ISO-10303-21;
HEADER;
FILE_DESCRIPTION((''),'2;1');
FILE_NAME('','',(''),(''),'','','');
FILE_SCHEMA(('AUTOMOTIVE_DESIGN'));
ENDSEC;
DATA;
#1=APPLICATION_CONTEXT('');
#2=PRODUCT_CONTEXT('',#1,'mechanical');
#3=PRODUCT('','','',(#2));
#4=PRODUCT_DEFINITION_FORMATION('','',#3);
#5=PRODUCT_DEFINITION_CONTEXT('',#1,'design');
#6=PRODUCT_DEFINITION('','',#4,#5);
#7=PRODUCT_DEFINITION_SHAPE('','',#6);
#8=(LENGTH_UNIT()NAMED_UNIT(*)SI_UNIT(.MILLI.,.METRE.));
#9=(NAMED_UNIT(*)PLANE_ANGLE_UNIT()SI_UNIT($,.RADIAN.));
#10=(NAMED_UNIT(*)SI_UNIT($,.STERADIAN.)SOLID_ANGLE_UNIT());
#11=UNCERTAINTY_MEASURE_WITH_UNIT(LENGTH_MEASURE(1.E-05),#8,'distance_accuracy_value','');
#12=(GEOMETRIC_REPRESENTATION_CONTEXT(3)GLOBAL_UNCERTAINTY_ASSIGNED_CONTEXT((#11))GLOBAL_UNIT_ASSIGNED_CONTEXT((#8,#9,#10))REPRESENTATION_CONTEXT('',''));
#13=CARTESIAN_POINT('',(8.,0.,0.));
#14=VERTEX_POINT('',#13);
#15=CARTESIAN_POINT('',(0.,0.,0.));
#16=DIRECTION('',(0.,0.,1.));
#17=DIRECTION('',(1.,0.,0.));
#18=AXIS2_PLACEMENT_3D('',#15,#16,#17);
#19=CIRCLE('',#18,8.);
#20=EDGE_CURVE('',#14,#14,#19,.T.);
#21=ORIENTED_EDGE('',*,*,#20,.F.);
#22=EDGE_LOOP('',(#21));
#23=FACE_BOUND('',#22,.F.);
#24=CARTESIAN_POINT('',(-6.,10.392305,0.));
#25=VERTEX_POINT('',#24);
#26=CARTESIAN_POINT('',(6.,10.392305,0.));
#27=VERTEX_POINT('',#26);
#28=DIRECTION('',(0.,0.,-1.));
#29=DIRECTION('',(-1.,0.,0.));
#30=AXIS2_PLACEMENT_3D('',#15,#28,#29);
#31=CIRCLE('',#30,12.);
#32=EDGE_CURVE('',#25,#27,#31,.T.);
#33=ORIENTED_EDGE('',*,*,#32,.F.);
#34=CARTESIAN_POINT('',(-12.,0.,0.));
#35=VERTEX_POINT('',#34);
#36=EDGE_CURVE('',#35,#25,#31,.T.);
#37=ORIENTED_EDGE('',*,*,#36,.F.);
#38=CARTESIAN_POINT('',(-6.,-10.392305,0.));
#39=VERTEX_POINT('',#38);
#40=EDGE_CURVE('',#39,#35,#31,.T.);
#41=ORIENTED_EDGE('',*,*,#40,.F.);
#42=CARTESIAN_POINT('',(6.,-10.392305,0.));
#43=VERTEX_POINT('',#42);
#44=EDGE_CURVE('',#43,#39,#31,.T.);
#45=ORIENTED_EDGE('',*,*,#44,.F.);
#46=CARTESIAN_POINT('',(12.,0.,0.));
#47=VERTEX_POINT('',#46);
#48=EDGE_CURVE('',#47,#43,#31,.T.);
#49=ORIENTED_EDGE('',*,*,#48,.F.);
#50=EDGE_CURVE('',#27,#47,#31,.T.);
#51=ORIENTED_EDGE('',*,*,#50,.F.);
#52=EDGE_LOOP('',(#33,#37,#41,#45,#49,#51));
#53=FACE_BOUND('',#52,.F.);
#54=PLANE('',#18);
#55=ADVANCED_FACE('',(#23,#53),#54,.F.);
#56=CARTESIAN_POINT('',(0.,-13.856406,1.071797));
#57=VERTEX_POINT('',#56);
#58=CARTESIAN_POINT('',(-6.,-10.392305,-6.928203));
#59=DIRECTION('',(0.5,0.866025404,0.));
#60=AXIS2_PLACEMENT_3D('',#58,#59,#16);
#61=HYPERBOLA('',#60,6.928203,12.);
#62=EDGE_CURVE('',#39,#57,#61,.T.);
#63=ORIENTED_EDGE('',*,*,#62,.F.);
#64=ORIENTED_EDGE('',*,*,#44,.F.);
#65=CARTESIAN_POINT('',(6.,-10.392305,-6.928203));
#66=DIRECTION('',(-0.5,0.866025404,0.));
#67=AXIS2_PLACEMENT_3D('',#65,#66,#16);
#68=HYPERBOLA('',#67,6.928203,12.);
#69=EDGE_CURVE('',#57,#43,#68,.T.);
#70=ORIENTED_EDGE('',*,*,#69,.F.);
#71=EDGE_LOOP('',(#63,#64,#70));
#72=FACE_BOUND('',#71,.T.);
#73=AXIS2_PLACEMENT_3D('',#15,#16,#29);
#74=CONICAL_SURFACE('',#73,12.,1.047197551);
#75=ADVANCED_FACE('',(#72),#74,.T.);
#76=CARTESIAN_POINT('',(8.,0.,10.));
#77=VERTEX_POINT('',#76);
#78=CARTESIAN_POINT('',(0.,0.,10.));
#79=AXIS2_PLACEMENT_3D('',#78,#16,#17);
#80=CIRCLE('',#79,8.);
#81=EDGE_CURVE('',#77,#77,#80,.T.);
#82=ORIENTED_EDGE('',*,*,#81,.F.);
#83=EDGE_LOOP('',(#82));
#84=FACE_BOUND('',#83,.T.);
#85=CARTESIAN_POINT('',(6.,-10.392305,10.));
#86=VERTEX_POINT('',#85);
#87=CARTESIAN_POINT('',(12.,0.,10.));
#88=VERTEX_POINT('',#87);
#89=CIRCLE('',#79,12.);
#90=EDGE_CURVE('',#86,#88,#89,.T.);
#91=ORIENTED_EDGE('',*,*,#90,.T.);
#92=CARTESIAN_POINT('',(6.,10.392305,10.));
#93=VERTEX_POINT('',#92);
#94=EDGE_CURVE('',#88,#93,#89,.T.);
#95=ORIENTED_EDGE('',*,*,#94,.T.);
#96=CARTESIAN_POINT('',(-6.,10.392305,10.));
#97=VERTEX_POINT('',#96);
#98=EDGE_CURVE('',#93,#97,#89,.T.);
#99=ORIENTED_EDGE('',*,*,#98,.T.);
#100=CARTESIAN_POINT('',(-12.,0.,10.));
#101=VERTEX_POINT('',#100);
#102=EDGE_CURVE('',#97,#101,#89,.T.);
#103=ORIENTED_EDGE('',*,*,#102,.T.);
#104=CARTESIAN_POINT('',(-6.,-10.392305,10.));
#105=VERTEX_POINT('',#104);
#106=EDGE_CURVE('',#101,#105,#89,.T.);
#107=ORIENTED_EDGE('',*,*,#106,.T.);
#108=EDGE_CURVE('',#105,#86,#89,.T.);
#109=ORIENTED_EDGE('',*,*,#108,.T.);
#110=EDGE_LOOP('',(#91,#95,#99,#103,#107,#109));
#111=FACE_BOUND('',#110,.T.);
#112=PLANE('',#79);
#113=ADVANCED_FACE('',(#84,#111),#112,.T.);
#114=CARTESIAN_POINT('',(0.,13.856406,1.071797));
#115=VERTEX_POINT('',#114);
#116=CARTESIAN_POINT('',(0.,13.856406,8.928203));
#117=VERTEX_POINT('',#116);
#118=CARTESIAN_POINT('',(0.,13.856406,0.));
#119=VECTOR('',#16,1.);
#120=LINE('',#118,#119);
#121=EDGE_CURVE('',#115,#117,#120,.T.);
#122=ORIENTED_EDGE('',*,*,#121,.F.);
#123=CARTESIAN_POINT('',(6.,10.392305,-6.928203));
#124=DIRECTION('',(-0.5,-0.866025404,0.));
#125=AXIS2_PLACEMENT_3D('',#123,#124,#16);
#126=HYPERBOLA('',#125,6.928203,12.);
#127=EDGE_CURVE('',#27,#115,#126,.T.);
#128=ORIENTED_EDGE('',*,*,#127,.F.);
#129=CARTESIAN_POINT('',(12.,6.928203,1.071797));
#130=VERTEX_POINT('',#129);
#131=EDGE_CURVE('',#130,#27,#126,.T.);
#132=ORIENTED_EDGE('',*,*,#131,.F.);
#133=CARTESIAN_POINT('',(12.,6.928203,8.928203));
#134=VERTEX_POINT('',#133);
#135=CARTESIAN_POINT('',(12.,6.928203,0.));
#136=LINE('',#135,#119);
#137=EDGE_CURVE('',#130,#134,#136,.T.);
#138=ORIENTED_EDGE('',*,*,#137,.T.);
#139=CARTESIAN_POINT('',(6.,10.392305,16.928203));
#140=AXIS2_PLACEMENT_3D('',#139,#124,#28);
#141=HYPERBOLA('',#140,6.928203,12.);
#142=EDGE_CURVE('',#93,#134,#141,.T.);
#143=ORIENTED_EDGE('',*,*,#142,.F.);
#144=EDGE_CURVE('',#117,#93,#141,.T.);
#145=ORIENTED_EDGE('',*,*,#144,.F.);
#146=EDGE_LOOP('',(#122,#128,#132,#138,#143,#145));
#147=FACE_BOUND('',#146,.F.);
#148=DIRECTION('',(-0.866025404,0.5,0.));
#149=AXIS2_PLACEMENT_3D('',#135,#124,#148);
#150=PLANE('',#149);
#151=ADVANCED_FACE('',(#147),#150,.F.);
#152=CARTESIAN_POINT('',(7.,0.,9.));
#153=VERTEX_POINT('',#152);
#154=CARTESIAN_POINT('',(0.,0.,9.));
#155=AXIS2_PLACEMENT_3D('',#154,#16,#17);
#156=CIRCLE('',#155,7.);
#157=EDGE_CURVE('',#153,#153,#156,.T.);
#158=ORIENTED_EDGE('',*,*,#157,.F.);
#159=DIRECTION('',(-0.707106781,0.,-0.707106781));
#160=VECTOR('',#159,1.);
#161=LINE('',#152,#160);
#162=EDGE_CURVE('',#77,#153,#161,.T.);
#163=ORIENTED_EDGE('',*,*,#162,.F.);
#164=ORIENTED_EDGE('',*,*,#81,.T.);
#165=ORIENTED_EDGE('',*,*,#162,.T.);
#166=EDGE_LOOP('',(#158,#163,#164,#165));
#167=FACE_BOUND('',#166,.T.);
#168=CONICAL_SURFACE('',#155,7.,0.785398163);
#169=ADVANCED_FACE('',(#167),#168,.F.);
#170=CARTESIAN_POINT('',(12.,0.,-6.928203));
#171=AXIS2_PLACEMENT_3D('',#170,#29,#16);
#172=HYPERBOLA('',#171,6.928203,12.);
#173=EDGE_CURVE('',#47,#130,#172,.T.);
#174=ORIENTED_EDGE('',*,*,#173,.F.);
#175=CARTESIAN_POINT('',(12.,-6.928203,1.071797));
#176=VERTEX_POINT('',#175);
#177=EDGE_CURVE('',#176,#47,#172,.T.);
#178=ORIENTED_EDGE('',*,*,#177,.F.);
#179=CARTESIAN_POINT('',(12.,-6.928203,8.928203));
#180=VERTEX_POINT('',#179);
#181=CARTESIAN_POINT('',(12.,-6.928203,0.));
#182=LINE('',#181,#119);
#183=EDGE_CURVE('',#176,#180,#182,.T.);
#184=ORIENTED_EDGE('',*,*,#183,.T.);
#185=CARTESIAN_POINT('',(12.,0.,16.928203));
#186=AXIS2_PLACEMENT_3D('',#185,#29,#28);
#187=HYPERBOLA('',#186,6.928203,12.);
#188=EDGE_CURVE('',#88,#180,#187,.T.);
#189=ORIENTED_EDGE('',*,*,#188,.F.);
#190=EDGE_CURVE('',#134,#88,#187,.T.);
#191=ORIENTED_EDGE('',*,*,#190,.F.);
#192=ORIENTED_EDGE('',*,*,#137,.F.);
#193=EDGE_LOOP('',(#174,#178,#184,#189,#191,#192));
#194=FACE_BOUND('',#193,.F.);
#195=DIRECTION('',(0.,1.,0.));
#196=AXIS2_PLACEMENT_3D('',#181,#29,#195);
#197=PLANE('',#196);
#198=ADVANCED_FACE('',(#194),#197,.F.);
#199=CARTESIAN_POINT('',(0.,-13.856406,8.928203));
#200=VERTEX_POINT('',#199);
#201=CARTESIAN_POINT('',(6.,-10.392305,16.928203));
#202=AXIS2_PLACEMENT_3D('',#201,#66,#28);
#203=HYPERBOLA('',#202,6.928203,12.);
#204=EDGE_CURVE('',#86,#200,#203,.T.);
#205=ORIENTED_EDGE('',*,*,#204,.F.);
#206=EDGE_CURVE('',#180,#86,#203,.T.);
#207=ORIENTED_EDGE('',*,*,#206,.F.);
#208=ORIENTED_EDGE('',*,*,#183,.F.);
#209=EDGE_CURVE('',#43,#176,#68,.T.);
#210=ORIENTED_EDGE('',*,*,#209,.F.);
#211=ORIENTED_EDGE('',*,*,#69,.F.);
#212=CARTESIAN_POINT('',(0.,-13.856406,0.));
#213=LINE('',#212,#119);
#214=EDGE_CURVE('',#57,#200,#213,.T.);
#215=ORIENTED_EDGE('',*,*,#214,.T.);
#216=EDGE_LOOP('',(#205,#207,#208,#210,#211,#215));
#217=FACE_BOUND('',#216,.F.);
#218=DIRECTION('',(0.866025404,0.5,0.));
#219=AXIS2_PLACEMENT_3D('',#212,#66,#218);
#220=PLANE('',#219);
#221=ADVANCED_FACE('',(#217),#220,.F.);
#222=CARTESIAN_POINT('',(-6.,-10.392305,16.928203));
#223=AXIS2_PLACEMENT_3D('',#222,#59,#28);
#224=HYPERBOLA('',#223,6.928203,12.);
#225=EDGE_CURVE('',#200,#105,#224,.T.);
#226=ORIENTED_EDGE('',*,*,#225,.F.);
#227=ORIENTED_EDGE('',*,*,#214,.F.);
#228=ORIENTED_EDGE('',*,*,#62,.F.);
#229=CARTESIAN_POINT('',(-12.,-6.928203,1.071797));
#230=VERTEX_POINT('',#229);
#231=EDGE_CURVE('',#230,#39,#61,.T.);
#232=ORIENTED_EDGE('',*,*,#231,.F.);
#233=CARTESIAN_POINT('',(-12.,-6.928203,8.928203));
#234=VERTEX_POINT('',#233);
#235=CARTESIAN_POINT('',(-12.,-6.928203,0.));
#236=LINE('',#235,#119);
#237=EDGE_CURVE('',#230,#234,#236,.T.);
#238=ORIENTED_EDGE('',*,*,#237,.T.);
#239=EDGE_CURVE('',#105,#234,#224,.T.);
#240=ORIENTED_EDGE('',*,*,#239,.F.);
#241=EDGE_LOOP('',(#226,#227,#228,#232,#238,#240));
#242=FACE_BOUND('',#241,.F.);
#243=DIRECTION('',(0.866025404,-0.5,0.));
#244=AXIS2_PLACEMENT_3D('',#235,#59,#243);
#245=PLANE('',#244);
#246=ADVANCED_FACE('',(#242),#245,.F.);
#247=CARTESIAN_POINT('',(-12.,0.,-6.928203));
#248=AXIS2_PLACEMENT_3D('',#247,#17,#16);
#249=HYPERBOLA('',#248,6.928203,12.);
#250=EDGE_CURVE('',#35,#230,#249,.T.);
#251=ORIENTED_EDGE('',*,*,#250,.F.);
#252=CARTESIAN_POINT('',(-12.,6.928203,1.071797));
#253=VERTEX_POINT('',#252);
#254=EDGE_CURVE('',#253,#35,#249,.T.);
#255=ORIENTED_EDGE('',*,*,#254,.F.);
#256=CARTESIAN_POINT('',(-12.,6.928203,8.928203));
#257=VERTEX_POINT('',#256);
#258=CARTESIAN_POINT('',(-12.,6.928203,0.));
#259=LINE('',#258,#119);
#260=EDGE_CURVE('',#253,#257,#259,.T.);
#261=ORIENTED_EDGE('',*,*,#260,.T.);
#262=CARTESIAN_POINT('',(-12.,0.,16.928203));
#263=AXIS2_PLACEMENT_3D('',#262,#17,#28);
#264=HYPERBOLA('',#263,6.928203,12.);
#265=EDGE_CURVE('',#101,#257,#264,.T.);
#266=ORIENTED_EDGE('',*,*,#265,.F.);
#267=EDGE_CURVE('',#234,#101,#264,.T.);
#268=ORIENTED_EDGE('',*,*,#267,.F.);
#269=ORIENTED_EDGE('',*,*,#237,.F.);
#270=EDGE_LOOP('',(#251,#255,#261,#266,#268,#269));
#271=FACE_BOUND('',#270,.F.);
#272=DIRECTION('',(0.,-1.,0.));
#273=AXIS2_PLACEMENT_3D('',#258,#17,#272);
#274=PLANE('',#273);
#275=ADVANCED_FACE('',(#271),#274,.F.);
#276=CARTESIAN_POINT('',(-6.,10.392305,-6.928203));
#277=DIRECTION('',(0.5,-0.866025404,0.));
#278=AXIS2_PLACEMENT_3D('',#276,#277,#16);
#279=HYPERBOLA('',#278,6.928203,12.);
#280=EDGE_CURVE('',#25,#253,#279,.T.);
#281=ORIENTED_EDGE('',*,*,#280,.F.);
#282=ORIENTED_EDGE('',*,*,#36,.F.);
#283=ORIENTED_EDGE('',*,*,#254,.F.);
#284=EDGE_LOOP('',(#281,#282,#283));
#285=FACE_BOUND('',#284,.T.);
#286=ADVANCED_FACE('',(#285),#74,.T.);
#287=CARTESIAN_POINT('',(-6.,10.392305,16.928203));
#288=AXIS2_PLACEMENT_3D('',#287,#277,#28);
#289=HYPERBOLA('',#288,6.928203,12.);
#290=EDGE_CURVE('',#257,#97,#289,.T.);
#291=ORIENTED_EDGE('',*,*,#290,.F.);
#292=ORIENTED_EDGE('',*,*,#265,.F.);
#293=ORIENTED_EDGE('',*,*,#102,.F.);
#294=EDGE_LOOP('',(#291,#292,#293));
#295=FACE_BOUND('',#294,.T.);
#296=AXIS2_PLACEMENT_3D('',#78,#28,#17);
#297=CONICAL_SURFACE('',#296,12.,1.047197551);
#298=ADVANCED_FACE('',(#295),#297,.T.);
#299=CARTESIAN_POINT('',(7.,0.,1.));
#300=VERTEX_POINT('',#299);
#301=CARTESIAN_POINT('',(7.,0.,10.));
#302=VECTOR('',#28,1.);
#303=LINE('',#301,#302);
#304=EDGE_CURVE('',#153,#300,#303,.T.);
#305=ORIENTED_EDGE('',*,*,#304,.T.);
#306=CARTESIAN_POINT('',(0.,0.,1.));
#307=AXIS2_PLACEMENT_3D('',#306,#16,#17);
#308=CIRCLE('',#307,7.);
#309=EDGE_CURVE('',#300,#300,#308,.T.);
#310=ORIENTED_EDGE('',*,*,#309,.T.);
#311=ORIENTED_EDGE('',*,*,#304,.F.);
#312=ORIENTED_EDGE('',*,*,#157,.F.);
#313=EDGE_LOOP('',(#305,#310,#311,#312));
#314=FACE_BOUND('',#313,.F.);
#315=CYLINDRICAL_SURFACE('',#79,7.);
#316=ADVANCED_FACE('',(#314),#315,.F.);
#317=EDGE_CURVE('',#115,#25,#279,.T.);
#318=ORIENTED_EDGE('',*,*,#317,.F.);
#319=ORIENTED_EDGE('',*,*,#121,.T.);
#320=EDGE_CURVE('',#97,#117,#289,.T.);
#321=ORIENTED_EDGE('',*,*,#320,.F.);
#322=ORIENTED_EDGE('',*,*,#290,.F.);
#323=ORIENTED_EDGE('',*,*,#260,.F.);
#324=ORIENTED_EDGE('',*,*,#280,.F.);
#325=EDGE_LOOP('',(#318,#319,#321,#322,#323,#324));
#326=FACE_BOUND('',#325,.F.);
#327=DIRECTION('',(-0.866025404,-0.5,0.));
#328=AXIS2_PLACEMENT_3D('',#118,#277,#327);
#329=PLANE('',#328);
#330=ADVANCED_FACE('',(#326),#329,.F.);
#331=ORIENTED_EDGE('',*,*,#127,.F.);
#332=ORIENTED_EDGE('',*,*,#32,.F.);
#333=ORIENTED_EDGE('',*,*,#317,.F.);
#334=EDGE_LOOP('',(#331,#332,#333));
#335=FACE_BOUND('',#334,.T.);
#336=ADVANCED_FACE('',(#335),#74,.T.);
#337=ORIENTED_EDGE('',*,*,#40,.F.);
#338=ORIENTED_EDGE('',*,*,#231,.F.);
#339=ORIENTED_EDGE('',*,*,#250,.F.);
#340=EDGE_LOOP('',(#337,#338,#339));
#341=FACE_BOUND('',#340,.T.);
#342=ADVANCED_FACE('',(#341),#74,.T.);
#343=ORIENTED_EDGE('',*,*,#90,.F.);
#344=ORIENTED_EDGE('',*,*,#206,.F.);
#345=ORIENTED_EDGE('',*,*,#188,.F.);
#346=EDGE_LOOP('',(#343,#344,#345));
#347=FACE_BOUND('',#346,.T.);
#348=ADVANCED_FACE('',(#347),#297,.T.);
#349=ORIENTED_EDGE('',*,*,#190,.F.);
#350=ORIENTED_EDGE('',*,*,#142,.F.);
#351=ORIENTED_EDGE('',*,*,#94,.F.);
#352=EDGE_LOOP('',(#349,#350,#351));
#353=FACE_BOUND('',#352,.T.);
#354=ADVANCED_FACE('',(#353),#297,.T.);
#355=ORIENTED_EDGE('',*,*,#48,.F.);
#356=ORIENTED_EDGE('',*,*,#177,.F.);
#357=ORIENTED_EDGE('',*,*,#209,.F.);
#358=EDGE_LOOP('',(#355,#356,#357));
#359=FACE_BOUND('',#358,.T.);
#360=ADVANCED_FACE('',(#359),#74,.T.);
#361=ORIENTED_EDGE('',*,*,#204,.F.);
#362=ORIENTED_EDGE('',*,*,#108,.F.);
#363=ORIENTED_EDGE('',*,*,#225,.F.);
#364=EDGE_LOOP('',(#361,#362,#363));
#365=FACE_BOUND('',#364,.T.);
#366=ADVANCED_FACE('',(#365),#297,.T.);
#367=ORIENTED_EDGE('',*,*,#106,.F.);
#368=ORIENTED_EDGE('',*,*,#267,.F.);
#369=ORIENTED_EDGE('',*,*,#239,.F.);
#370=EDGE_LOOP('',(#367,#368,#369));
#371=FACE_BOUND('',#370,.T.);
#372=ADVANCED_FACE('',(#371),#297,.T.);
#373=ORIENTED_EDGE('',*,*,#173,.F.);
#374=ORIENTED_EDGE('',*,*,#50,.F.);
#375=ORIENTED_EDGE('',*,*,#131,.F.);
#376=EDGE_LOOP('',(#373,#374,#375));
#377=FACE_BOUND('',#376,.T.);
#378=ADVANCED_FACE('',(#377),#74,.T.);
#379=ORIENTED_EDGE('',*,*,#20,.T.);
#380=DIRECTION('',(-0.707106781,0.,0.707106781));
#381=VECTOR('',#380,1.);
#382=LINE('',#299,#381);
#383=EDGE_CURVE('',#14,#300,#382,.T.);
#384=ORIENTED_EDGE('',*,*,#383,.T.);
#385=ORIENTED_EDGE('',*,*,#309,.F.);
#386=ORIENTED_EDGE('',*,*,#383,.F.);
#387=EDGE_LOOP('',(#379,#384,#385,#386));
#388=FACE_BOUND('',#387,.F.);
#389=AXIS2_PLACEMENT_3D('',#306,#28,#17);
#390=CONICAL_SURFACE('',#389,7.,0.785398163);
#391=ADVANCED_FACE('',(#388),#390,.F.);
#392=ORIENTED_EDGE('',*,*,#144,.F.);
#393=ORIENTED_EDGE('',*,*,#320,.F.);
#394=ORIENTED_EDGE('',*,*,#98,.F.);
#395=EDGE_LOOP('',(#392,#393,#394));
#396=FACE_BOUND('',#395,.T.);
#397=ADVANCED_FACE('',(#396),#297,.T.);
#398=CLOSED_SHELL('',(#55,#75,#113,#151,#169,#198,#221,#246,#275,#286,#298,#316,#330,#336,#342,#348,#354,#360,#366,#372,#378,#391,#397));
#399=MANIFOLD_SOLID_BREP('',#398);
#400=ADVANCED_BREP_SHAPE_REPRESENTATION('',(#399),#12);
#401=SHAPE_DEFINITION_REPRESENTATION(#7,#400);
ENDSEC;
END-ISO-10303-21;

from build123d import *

# Parameters (mm, degrees)
BOSS_EXTRUDE2_DEPTH = 10
SKETCH2_R           = 7
CUT_EXTRUDE1_DEPTH  = 21.880613018
SKETCH3_OUTSIDE_W   = 68.242
SKETCH3_OUTSIDE_H   = 71.954
SKETCH3_OUTSIDE_R   = 12
CUT_EXTRUDE2_DEPTH  = 10
CUT_EXTRUDE2_DRAFT  = -60
SKETCH4_OUTSIDE_W   = 68.242
SKETCH4_OUTSIDE_H   = 71.954
SKETCH4_OUTSIDE_R   = 12
CUT_EXTRUDE3_DEPTH  = 10
CUT_EXTRUDE3_DRAFT  = -60
CHAMFER1_SIZE       = 1


with BuildPart() as part:
    # Sketch1 → Boss-Extrude2 (new body)
    with BuildSketch(Plane.XY):
        Polygon((12, -6.92820323), (12, 6.92820323), (0, 13.856406461), (-12, 6.92820323), (-12, -6.92820323), (0, -13.856406461), align=None)
    extrude(amount=BOSS_EXTRUDE2_DEPTH)

    # Sketch2 → Cut-Extrude1 (cut, through all)
    with BuildSketch(Plane.XY.offset(10)):
        Circle(SKETCH2_R)
    extrude(amount=-CUT_EXTRUDE1_DEPTH, mode=Mode.SUBTRACT)


with BuildPart() as cut_extrude2_tool:
    # Sketch3 outside → Cut-Extrude2 (with draft: the straight prism first)
    with BuildSketch(Plane.XY.offset(10)):
        Rectangle(SKETCH3_OUTSIDE_W, SKETCH3_OUTSIDE_H)
        Circle(SKETCH3_OUTSIDE_R, mode=Mode.SUBTRACT)
    extrude(amount=-CUT_EXTRUDE2_DEPTH)
    # Cut-Extrude2: the draft: its side faces are tilted about the plane it starts from
    cut_extrude2_sides = [cut_extrude2_tool.faces().sort_by_distance(p)[0] for p in [
        (0, -35.977, 5),
        (34.121, 0, 5),
        (0, 35.977, 5),
        (-34.121, 0, 5),
        (-12, 0, 5),
    ]]
    draft(cut_extrude2_sides, Plane.XY.offset(10), CUT_EXTRUDE2_DRAFT)


with BuildPart() as part_1:
    add(part.part)

    # Cut-Extrude2: cut by cut_extrude2_tool
    add(cut_extrude2_tool.part, mode=Mode.SUBTRACT)


with BuildPart() as cut_extrude3_tool:
    # Sketch4 outside → Cut-Extrude3 (with draft: the straight prism first)
    with BuildSketch(Plane(origin=(0, 0, 0), x_dir=(-1, 0, 0), z_dir=(0, 0, -1))):
        Rectangle(SKETCH4_OUTSIDE_W, SKETCH4_OUTSIDE_H)
        Circle(SKETCH4_OUTSIDE_R, mode=Mode.SUBTRACT)
    extrude(amount=-CUT_EXTRUDE3_DEPTH)
    # Cut-Extrude3: the draft: its side faces are tilted about the plane it starts from
    cut_extrude3_sides = [cut_extrude3_tool.faces().sort_by_distance(p)[0] for p in [
        (0, -35.977, 5),
        (-34.121, 0, 5),
        (0, 35.977, 5),
        (34.121, 0, 5),
        (12, 0, 5),
    ]]
    draft(cut_extrude3_sides, Plane(origin=(0, 0, 0), x_dir=(-1, 0, 0), z_dir=(0, 0, -1)), CUT_EXTRUDE3_DRAFT)


with BuildPart() as part_2:
    add(part_1.part)

    # Cut-Extrude3: cut by cut_extrude3_tool
    add(cut_extrude3_tool.part, mode=Mode.SUBTRACT)

    # Chamfer1
    chamfer1_edges = [part_2.edges().sort_by_distance(p)[0] for p in [
        (-7, 0, 0),
        (-7, 0, 10),
    ]]
    chamfer(chamfer1_edges, length=CHAMFER1_SIZE)


solid = part_2.part
